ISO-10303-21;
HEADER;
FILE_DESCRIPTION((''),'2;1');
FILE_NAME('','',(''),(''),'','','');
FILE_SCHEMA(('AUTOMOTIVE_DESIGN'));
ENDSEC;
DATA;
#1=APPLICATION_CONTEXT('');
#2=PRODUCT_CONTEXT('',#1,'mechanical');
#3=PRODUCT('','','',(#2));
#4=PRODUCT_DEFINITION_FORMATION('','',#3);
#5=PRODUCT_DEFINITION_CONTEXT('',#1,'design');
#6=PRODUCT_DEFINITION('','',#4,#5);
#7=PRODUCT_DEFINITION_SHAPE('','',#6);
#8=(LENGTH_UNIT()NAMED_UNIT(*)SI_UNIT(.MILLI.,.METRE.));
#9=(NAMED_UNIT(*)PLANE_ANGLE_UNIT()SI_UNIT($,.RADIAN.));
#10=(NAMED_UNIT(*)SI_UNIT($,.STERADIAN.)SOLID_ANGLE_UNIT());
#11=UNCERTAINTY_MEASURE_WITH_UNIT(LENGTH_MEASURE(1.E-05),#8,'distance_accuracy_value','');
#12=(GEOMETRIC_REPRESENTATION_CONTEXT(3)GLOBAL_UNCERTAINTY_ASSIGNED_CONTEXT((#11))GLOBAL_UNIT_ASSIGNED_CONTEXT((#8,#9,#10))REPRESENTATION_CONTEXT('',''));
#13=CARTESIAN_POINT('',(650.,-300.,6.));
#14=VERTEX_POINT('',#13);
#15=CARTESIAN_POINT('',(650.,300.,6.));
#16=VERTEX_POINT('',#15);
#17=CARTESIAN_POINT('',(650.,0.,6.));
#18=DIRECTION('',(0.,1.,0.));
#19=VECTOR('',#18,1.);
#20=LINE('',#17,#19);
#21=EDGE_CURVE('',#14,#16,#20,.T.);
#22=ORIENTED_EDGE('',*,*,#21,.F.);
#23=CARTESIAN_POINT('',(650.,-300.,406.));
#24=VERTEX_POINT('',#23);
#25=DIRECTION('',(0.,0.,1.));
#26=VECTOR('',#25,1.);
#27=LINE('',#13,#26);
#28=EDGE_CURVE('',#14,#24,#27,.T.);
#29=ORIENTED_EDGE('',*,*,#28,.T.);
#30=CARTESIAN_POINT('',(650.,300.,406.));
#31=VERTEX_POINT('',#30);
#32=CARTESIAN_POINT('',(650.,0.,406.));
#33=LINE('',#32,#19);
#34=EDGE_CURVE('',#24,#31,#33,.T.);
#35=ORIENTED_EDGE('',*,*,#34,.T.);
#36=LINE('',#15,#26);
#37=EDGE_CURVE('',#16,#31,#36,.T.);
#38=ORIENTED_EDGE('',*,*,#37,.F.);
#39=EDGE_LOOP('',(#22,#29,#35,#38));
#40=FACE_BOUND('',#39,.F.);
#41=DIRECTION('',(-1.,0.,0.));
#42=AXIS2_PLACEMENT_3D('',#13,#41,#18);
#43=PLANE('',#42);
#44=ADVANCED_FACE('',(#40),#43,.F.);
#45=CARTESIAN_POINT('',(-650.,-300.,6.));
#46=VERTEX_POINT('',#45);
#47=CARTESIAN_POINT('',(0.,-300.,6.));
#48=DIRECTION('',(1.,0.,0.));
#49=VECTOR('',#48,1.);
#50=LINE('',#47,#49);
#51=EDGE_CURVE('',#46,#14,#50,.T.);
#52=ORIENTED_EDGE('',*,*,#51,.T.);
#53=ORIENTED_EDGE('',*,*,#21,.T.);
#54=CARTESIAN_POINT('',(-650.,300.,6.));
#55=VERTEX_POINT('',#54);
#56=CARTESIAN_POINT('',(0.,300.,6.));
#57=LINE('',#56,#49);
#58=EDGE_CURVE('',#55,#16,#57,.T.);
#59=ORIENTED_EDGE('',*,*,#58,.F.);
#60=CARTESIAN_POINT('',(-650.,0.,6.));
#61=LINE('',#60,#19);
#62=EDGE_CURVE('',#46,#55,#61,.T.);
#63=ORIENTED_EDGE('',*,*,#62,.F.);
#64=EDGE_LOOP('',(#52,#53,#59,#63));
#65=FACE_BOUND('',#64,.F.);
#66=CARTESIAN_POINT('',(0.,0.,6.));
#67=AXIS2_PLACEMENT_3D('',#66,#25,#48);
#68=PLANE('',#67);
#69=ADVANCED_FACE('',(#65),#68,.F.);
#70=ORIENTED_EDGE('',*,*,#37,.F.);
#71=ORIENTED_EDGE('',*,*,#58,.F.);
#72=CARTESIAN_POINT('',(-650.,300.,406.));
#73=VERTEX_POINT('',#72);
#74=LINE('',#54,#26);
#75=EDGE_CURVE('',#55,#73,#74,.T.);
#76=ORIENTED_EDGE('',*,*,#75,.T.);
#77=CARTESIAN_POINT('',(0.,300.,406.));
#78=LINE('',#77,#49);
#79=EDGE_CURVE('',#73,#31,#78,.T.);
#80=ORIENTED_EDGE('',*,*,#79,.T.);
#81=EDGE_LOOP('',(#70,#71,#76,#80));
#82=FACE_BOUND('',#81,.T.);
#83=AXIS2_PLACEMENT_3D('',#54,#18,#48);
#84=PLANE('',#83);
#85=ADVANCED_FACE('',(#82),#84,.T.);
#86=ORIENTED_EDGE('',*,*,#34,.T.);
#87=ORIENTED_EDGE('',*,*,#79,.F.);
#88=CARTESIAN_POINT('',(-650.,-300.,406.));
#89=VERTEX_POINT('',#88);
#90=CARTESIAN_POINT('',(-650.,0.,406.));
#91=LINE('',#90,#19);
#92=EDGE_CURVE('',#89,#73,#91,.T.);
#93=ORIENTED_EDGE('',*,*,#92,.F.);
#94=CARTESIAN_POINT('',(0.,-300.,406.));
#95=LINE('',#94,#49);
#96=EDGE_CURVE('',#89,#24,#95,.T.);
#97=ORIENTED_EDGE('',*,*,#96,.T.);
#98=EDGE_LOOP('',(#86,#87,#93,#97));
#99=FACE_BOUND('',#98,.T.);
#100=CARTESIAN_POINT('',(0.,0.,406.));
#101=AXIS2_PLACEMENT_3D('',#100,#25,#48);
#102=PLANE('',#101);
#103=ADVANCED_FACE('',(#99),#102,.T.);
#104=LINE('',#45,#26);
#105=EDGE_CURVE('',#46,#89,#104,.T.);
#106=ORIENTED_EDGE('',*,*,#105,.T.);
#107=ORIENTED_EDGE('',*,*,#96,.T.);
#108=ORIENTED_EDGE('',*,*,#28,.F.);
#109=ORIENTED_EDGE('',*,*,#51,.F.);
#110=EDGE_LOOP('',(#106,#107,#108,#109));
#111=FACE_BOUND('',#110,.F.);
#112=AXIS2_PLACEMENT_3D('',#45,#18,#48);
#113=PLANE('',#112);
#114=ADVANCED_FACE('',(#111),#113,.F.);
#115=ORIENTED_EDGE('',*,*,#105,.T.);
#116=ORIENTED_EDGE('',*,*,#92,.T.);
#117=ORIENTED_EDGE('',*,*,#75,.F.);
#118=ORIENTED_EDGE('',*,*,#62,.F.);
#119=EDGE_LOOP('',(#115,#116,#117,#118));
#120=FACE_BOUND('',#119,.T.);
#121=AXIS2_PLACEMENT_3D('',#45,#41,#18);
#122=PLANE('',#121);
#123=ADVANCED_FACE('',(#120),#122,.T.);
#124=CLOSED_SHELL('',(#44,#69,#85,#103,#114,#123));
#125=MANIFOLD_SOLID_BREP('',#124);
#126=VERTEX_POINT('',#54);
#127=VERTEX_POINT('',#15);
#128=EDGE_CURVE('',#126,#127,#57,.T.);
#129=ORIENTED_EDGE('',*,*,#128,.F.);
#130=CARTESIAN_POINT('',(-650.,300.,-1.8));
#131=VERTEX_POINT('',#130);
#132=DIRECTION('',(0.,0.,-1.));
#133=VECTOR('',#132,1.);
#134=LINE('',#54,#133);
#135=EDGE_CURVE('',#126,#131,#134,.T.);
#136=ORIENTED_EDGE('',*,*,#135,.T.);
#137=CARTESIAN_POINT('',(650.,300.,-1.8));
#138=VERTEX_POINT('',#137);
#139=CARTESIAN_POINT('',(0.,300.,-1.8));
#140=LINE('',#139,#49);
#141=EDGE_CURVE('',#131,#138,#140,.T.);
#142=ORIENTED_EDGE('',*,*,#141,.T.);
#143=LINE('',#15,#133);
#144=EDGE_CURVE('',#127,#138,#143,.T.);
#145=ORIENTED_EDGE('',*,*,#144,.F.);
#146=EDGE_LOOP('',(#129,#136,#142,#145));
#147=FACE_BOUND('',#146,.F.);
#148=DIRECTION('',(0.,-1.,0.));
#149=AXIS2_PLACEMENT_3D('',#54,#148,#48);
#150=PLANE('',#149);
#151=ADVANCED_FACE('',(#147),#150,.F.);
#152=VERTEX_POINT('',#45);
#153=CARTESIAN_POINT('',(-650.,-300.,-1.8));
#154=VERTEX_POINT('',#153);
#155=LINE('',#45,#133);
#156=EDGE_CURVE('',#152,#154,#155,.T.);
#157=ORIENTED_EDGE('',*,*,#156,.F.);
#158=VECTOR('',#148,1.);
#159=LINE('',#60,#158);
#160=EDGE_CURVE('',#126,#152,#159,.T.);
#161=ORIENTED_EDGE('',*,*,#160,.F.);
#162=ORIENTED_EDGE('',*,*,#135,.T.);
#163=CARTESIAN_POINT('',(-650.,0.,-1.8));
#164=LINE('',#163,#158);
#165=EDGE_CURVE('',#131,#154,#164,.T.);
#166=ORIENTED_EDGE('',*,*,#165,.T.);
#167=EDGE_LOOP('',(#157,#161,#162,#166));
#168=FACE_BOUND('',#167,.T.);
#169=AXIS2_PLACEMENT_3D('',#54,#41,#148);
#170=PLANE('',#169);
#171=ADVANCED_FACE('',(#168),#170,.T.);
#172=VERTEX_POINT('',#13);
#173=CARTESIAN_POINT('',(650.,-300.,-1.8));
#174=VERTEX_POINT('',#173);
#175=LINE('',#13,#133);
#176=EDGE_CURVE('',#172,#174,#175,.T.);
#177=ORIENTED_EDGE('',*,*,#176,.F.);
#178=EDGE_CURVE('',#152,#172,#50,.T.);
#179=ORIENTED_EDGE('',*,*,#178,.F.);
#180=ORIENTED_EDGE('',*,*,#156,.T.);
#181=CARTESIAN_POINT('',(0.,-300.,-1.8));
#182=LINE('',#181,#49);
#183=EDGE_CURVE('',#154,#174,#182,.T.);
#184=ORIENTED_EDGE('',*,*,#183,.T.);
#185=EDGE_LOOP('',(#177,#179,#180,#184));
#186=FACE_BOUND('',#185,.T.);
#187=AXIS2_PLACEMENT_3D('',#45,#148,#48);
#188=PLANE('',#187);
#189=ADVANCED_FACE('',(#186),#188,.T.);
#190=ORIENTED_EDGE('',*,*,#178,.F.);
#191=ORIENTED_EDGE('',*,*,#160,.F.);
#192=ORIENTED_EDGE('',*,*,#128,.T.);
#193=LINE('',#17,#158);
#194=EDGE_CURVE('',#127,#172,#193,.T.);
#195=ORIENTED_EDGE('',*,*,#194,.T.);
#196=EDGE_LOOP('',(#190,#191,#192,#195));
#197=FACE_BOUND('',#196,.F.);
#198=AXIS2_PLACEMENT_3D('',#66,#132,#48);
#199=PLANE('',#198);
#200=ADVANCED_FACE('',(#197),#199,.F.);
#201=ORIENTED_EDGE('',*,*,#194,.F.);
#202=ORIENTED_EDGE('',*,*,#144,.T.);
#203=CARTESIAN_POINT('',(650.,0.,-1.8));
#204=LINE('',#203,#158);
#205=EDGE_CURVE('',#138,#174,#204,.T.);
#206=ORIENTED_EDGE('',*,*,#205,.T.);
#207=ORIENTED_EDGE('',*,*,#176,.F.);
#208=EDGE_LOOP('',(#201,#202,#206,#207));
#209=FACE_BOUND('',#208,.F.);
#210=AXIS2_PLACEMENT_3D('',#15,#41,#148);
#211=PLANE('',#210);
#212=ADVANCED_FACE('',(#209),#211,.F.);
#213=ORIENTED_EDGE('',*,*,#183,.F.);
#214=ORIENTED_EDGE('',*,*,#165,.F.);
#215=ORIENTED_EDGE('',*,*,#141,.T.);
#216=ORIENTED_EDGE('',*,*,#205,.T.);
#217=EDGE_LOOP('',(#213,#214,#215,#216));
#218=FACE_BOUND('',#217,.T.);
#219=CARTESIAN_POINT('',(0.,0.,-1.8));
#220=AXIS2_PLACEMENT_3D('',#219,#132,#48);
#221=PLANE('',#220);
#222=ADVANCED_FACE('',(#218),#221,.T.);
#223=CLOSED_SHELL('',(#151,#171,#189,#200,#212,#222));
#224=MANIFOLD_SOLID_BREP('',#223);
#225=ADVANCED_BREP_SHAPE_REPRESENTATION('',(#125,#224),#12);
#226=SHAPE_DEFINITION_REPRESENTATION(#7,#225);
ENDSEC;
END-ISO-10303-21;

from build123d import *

# Parameters (mm, degrees)
F1_W     = 1300
F1_H     = 600
F2_DEPTH = 400
F3_W     = 1300
F3_H     = 600
F4_DEPTH = 7.8


with BuildPart() as f2:
    # F1 (on offset) → F2 (new body)
    with BuildSketch(Plane.XY.offset(6)):
        Rectangle(F1_W, F1_H)
    extrude(amount=F2_DEPTH)


with BuildPart() as f4:
    # F3 (on face) → F4 (new body)
    with BuildSketch(Plane(origin=(0, 0, 6), x_dir=(1, 0, 0), z_dir=(0, 0, -1))):
        Rectangle(F3_W, F3_H)
    extrude(amount=F4_DEPTH)


solid = Compound([f2.part, f4.part])
